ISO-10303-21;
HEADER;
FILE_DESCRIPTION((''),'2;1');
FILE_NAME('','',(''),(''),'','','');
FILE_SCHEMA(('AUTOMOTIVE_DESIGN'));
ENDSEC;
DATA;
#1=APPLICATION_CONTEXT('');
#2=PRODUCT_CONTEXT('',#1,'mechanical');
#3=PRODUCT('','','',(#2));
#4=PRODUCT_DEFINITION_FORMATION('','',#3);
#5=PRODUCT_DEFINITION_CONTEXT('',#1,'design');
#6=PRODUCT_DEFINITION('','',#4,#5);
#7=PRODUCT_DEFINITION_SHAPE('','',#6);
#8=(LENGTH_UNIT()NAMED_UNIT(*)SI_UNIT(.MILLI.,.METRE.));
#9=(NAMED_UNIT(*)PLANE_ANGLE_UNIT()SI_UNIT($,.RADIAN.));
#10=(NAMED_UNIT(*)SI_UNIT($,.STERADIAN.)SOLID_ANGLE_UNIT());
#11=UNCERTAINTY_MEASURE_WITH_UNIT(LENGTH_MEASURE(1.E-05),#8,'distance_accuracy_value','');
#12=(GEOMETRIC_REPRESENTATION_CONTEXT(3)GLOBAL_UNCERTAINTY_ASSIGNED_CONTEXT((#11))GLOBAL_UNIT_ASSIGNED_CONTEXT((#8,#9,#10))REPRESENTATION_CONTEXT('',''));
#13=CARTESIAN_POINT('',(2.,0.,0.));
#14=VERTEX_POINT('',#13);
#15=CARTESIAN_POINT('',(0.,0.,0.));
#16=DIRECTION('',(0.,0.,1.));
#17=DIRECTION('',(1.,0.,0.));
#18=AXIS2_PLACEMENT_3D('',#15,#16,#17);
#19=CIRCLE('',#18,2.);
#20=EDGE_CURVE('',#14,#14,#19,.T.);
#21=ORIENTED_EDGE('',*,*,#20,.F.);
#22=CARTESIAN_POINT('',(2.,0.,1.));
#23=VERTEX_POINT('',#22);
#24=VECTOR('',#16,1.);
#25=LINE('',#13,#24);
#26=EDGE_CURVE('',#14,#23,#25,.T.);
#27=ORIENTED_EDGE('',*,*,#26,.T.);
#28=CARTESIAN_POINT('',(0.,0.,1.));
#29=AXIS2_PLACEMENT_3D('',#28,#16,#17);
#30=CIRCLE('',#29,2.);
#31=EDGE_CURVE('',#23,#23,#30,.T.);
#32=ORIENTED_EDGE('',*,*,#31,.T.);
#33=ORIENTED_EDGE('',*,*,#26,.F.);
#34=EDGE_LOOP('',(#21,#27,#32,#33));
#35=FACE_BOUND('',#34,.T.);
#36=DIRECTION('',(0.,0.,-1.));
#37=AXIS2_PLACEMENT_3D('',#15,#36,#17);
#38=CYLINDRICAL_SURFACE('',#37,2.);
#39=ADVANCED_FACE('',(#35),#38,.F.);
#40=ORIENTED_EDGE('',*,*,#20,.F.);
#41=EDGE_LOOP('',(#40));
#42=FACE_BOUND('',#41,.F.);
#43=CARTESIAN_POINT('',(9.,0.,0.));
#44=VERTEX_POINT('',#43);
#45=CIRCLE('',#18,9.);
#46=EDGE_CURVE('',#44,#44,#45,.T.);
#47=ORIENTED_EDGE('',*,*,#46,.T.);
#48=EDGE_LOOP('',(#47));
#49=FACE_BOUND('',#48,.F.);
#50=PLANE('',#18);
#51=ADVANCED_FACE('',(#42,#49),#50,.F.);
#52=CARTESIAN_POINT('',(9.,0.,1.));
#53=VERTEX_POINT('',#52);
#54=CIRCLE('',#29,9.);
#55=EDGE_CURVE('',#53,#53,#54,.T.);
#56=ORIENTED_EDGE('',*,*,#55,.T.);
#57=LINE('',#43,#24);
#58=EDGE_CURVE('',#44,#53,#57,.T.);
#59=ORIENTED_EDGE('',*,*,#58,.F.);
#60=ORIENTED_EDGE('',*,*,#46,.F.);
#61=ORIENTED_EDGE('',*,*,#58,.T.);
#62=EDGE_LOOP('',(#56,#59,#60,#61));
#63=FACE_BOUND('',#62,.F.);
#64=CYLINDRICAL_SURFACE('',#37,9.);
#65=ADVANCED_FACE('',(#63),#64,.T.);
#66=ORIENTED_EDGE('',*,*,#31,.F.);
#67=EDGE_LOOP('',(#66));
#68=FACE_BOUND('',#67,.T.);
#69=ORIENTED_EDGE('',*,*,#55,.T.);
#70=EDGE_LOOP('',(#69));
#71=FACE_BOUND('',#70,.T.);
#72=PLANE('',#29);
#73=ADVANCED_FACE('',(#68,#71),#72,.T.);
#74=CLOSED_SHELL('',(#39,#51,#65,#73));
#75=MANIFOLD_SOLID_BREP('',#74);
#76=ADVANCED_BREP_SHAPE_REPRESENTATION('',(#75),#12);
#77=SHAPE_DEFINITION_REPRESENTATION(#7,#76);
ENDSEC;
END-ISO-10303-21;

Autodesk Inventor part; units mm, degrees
ref_plane "YZ Plane" through (0, 0, 0) normal (1, 0, 0) x (0, 1, 0)
ref_plane "XZ Plane" through (0, 0, 0) normal (0, 1, 0) x (-1, 0, 0)
ref_plane "XY Plane" through (0, 0, 0) normal (0, 0, 1) x (1, 0, 0)
sketch "Sketch1" plane through (0, 0, 0) normal (0, 0, 1) x (1, 0, 0)
  circle A0 centre (0, 0) radius 2
  circle A1 centre (0, 0) radius 9
  dimension "d0" = 4
  dimension "d1" = 18
extrude "Extrusion1" add sketch "Sketch1" along normal blind 1
properties part number "rodFixerWasher"
